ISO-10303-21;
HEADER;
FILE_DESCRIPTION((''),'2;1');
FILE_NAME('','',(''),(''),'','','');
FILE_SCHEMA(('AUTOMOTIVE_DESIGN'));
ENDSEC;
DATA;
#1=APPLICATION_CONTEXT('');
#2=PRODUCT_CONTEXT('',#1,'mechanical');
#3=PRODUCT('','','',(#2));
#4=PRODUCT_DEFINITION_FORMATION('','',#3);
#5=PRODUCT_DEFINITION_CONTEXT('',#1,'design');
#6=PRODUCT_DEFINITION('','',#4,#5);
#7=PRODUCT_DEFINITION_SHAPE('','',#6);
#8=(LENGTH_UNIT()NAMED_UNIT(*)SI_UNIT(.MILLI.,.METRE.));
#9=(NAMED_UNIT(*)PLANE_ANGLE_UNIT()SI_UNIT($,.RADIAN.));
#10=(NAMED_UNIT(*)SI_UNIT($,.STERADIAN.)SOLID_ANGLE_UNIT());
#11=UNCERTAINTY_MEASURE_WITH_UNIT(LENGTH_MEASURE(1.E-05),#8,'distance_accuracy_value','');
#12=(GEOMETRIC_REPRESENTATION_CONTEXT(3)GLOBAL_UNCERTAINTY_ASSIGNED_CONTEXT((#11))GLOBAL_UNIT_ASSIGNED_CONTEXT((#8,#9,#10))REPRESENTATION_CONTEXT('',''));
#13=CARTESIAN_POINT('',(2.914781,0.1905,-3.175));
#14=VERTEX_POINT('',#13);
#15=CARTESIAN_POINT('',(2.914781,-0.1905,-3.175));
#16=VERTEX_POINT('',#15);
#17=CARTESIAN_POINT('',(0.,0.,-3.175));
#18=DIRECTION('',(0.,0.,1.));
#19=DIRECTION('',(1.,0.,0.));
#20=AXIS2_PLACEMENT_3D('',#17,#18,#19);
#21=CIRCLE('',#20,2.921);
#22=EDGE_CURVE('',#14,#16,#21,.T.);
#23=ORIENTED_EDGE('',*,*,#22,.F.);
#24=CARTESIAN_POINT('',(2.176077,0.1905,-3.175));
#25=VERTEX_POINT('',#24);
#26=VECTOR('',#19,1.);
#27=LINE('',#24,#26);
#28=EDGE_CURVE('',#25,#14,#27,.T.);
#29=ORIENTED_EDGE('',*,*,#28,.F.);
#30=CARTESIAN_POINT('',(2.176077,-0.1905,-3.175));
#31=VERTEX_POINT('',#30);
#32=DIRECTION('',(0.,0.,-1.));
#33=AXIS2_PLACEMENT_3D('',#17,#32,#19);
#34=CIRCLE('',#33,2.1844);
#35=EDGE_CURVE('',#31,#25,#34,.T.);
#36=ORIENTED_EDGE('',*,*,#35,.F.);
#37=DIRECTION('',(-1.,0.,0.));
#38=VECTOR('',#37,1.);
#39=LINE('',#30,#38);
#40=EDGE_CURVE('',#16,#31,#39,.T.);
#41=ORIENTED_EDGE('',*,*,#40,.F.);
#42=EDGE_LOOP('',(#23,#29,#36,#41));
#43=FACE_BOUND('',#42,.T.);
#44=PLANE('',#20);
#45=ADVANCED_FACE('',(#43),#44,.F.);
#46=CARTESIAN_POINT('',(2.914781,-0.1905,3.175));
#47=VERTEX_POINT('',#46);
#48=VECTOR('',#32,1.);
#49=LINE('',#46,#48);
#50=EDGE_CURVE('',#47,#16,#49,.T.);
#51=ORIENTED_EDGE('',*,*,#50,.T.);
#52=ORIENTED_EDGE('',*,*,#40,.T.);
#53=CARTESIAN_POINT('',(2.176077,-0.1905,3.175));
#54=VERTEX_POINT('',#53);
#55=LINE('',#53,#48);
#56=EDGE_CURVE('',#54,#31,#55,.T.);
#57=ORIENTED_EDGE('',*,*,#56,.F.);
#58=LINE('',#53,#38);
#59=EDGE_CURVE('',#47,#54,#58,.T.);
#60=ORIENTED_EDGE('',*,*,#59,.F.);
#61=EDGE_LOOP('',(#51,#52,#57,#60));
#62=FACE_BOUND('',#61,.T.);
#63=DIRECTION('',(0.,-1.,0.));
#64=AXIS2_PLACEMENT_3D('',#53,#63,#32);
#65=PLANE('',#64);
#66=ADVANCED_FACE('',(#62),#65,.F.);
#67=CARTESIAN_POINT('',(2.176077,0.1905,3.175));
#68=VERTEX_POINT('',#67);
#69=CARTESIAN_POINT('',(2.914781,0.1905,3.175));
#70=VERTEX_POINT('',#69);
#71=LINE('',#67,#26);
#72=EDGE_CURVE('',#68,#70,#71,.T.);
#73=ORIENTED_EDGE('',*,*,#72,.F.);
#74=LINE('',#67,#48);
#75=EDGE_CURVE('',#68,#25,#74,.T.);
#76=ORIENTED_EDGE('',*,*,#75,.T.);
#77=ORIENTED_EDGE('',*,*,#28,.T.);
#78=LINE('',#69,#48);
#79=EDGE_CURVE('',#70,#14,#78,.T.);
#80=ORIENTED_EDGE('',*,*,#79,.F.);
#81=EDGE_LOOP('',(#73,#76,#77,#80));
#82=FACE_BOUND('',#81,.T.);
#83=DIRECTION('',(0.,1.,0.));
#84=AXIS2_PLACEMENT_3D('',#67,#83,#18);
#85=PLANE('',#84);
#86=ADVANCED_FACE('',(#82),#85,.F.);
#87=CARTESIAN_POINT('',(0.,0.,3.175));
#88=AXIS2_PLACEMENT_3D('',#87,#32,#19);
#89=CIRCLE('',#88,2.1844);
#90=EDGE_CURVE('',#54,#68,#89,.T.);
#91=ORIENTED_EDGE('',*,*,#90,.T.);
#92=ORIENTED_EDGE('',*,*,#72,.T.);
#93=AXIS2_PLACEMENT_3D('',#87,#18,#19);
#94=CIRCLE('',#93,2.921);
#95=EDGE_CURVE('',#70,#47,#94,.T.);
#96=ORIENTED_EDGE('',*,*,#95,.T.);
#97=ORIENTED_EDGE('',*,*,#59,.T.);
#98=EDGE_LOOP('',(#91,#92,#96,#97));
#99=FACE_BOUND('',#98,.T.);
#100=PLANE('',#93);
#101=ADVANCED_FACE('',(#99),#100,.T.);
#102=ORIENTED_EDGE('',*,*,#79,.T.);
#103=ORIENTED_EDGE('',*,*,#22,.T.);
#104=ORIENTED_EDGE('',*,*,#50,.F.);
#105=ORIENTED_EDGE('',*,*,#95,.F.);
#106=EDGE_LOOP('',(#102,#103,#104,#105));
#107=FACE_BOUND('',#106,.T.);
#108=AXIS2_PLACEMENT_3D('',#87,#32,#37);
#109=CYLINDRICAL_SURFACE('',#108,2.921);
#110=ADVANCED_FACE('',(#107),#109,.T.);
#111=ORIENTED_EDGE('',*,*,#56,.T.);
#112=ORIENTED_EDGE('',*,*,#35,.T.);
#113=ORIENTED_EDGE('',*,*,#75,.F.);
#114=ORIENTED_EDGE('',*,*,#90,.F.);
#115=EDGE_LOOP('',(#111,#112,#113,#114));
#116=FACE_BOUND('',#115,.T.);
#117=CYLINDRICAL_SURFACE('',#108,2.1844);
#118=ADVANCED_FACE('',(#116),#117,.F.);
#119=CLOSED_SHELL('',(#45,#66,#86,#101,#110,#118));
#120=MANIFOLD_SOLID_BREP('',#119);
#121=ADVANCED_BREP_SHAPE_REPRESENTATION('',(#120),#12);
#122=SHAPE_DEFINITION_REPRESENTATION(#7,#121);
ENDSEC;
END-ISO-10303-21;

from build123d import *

# Parameters (mm, degrees)
EXTRUDE1_DEPTH      = 3.175
EXTRUDE1_DEPTH_BACK = 3.175


with BuildPart() as part:
    # Sketch1 → Extrude1 (new, two sides: drawn at the far end of the back side and taken through both)
    with BuildSketch(Plane.XY.offset(-EXTRUDE1_DEPTH_BACK)):
        with BuildLine():
            Line((2.17607746, 0.1905), (2.914781424, 0.1905))
            ThreePointArc((2.914781424, 0.1905), (-2.921, 0), (2.914781424, -0.1905))
            Line((2.914781424, -0.1905), (2.17607746, -0.1905))
            ThreePointArc((2.17607746, -0.1905), (-2.1844, 0), (2.17607746, 0.1905))
        make_face()
    extrude(amount=EXTRUDE1_DEPTH + EXTRUDE1_DEPTH_BACK)


solid = part.part
